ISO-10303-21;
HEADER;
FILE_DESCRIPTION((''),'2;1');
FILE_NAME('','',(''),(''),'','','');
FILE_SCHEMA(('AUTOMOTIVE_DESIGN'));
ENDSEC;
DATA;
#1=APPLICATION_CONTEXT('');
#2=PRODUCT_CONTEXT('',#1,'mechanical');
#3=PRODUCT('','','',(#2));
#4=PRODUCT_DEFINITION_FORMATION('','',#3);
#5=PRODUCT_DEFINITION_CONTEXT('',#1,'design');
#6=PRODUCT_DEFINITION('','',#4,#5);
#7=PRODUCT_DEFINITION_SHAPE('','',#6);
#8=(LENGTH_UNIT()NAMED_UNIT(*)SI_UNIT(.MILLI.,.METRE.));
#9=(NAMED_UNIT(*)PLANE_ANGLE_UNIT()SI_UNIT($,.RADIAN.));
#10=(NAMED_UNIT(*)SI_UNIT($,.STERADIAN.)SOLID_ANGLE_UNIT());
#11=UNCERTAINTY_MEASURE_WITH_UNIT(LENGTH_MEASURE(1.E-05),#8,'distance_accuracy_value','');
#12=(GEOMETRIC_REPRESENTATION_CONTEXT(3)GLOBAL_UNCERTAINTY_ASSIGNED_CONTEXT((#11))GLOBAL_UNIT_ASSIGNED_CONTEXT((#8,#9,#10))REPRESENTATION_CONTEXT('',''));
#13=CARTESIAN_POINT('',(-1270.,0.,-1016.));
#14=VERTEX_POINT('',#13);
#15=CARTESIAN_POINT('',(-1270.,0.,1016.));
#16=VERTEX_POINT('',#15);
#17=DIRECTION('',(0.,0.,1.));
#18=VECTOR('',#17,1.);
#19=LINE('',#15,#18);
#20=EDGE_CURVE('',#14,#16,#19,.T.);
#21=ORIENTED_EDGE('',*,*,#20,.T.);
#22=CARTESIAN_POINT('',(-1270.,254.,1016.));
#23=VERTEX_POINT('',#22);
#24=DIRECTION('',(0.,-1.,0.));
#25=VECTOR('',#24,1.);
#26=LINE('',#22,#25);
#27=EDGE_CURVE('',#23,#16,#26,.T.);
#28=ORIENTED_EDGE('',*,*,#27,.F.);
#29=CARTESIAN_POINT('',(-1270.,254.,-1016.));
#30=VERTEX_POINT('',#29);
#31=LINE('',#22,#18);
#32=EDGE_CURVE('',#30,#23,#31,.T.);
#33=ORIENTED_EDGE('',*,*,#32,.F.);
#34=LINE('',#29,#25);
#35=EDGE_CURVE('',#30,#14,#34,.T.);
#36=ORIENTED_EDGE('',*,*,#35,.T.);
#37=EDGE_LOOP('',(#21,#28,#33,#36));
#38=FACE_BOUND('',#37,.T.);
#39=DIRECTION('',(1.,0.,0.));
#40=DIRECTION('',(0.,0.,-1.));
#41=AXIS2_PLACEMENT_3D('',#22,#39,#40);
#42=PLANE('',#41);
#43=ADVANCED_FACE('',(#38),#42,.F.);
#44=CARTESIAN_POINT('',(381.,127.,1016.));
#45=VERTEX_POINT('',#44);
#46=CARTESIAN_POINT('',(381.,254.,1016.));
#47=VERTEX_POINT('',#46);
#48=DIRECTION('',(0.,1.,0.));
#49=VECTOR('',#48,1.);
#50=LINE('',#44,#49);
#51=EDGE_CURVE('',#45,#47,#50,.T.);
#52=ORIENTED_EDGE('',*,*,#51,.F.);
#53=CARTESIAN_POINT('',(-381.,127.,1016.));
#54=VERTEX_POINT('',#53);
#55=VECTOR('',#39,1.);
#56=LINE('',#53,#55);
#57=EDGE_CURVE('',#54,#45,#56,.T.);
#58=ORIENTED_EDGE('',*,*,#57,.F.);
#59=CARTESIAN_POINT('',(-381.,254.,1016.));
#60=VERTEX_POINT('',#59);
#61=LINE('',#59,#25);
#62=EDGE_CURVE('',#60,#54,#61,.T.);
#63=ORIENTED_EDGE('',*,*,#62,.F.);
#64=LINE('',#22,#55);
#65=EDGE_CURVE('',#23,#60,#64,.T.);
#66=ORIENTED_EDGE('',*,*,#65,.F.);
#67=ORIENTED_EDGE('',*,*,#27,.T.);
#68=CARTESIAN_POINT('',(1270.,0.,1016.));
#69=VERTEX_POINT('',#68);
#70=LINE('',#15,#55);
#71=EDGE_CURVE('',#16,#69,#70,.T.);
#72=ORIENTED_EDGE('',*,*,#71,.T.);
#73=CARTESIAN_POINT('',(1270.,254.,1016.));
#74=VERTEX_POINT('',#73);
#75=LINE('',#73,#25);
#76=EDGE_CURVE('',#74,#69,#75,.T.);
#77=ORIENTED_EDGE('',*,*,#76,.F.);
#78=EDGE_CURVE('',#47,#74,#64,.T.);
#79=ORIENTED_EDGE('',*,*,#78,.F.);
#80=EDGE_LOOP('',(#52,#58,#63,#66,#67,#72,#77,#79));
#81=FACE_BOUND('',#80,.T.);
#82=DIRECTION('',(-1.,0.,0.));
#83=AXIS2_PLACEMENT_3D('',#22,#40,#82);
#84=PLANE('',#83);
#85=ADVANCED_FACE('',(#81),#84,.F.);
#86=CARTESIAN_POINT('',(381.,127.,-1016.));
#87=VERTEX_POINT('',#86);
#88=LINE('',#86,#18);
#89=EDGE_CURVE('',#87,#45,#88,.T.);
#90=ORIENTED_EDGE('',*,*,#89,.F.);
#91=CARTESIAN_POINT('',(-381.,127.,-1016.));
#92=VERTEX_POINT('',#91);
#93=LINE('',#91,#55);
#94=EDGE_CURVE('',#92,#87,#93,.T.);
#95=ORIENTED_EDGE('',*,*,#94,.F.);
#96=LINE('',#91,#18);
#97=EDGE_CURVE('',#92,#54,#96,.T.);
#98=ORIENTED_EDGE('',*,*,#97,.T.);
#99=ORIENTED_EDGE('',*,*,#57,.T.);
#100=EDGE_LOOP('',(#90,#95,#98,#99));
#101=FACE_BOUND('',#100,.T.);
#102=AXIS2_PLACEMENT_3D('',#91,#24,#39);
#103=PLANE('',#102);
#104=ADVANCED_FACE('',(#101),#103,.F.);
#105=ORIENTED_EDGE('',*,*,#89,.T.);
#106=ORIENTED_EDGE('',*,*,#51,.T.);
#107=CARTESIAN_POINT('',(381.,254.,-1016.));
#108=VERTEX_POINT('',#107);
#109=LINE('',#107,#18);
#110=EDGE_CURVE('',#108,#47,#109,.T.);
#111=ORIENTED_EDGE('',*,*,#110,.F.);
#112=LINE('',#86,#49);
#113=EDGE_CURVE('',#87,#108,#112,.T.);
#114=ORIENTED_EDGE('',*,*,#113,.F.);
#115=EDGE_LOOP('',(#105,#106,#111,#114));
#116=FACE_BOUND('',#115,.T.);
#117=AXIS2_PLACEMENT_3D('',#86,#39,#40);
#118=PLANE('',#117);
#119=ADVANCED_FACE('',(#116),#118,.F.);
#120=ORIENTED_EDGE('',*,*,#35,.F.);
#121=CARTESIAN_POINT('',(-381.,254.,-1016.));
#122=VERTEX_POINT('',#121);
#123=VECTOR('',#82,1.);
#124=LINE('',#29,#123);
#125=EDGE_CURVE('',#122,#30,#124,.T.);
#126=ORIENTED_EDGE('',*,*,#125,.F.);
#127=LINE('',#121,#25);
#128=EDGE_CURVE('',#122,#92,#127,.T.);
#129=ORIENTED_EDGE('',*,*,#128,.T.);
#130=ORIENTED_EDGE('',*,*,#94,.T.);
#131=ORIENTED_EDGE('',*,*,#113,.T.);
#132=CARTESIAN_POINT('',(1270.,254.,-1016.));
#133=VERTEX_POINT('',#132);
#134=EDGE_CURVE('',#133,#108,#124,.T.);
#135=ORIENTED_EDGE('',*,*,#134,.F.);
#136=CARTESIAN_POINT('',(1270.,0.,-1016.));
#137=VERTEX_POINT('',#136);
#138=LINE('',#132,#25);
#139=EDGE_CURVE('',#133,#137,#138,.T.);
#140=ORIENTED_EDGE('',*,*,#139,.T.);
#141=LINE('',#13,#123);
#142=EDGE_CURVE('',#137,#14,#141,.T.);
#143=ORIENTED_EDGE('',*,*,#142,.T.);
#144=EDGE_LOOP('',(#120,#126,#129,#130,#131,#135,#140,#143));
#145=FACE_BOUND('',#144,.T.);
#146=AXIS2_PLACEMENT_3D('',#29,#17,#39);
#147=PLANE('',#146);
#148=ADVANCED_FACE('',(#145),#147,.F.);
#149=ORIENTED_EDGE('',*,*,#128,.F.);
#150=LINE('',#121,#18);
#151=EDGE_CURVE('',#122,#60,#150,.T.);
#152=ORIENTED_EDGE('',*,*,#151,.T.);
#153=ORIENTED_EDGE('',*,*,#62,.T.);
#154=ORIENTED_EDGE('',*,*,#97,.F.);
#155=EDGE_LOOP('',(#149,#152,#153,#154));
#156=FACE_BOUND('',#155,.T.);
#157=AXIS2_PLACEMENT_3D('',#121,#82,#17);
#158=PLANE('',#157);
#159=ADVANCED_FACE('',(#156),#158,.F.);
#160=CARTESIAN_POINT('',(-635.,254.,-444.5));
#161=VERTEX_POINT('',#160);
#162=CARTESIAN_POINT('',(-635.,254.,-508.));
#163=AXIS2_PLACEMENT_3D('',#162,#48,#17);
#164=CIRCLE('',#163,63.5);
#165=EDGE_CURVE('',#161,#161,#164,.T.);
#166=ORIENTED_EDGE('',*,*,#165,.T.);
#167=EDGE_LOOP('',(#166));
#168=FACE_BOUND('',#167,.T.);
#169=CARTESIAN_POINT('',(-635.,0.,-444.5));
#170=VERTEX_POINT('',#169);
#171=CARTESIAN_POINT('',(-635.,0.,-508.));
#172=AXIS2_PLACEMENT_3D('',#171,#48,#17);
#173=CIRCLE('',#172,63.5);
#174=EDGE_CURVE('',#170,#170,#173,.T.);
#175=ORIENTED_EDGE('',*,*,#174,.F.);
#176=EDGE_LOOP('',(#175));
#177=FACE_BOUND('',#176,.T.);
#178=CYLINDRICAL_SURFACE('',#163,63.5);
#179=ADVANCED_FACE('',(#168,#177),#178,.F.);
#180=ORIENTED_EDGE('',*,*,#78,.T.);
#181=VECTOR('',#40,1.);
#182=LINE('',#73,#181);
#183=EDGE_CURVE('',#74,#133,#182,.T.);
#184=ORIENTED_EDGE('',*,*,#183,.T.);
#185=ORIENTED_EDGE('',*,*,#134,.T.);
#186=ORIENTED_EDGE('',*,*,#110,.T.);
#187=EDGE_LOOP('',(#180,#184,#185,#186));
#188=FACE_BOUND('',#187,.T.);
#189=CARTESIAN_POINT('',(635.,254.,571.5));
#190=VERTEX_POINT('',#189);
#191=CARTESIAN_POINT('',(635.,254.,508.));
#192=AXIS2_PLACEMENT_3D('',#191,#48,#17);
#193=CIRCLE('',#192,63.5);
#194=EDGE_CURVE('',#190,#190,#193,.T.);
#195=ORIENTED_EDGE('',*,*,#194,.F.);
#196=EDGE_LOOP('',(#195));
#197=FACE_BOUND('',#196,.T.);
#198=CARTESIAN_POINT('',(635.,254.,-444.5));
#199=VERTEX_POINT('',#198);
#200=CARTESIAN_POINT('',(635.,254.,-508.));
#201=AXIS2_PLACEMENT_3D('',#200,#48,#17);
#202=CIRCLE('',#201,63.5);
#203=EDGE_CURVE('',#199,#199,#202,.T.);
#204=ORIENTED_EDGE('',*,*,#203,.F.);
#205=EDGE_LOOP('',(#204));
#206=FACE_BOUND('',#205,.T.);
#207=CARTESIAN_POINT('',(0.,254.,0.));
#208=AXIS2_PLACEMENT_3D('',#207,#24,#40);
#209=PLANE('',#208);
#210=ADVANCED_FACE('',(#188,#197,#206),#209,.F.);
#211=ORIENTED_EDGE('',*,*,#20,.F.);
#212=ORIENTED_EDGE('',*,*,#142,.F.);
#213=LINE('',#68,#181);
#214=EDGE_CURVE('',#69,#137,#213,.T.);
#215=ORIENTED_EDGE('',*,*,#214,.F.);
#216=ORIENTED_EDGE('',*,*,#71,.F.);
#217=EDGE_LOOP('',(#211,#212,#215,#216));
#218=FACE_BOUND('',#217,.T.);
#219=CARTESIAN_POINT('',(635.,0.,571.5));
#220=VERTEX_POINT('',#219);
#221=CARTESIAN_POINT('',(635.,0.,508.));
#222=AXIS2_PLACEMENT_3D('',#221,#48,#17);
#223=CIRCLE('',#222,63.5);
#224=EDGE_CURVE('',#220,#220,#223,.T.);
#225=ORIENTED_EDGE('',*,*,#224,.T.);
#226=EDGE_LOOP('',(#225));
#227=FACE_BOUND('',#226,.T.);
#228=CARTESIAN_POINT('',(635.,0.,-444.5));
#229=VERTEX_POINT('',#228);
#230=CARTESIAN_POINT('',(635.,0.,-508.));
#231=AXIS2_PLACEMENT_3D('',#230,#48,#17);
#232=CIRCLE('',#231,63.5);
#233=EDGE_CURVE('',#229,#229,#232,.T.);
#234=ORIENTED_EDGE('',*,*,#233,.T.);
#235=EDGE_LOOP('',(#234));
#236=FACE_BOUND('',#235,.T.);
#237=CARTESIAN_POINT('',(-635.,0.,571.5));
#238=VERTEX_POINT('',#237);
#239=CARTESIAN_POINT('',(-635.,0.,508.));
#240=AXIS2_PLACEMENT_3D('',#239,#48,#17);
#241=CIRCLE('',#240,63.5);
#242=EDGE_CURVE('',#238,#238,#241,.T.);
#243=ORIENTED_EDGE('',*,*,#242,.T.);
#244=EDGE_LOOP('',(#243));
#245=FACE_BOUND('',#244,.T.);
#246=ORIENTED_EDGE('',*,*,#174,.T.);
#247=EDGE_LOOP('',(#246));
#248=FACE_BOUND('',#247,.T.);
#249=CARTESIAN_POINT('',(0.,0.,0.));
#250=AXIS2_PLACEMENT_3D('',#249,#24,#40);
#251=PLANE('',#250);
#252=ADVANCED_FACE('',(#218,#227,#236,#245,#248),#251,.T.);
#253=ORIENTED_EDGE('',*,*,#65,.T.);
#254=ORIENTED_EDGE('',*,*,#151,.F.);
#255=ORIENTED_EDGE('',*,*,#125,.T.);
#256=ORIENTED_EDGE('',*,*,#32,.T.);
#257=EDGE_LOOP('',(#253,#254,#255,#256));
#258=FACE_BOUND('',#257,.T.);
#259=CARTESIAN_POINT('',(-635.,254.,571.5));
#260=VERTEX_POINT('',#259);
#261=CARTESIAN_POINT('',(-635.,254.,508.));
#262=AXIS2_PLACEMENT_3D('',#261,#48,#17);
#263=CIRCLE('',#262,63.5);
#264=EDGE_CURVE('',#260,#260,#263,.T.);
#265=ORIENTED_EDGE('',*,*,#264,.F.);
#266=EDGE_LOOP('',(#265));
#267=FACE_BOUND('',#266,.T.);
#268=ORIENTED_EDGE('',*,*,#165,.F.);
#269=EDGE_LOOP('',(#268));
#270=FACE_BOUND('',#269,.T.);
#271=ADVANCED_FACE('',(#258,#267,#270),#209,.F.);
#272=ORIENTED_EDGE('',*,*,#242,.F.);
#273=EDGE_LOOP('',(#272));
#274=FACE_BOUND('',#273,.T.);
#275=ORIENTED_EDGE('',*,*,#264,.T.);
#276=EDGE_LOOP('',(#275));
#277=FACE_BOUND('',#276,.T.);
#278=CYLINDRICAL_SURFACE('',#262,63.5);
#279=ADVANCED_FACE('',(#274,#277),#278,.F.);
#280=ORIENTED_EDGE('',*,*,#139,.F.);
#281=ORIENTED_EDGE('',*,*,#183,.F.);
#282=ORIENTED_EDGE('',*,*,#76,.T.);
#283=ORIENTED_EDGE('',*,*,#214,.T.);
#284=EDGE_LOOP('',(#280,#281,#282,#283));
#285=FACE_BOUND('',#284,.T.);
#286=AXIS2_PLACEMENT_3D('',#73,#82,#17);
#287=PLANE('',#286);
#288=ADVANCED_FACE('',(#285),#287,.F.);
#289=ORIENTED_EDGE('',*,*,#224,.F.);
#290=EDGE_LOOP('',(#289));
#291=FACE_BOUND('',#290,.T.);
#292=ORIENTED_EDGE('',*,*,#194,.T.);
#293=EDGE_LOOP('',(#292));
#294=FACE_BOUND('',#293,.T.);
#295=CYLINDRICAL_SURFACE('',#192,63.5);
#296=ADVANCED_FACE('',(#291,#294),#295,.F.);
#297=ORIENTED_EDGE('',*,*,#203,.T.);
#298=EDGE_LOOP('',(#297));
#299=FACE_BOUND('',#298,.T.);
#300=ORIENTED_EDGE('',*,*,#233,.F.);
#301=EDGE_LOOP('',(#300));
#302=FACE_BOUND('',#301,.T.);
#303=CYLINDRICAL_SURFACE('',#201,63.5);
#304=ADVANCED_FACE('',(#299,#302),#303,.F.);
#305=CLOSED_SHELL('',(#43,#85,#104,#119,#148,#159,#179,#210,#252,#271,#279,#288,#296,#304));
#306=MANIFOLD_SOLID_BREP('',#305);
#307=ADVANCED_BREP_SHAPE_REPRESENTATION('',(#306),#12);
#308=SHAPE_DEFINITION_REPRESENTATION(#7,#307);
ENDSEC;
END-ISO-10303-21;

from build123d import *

# Parameters (mm, degrees)
SKETCH1_W               = 2540
SKETCH1_H               = 2032
BOSS_EXTRUDE1_DEPTH     = 254
SKETCH2_W               = 762
SKETCH2_H               = 127
CUT_EXTRUDE1_DEPTH      = 1017
CUT_EXTRUDE1_DEPTH_BACK = 1017
F_5_DIAMETER_HOLE1_D    = 127


with BuildPart() as part:
    # Sketch1 → Boss-Extrude1 (new body)
    with BuildSketch(Plane(origin=(0, 0, 0), x_dir=(1, 0, 0), z_dir=(0, 1, 0))):
        Rectangle(SKETCH1_W, SKETCH1_H)
    extrude(amount=BOSS_EXTRUDE1_DEPTH)

    # Sketch2 → Cut-Extrude1 (cut, two sides)
    with BuildSketch(Plane.XY) as cut_extrude1_sk:
        with Locations((0, 190.5)):
            Rectangle(SKETCH2_W, SKETCH2_H)
    extrude(amount=CUT_EXTRUDE1_DEPTH, mode=Mode.SUBTRACT)
    extrude(cut_extrude1_sk.sketch, amount=-CUT_EXTRUDE1_DEPTH_BACK, mode=Mode.SUBTRACT)

    # 5" Diameter Hole1 (through all)
    with Locations(Plane(origin=(0, 254, 0), x_dir=(1, 0, 0), z_dir=(0, 1, 0))):
        with Locations((-635, 508), (-635, -508)):
            f_5_diameter_hole1 = Hole(F_5_DIAMETER_HOLE1_D / 2)

    # Mirror1: 5" Diameter Hole1 across plane
    add(f_5_diameter_hole1.mirror(Plane(origin=(0, 0, 0), x_dir=(0, 0, 1), z_dir=(1, 0, 0))), mode=Mode.SUBTRACT)


solid = part.part
